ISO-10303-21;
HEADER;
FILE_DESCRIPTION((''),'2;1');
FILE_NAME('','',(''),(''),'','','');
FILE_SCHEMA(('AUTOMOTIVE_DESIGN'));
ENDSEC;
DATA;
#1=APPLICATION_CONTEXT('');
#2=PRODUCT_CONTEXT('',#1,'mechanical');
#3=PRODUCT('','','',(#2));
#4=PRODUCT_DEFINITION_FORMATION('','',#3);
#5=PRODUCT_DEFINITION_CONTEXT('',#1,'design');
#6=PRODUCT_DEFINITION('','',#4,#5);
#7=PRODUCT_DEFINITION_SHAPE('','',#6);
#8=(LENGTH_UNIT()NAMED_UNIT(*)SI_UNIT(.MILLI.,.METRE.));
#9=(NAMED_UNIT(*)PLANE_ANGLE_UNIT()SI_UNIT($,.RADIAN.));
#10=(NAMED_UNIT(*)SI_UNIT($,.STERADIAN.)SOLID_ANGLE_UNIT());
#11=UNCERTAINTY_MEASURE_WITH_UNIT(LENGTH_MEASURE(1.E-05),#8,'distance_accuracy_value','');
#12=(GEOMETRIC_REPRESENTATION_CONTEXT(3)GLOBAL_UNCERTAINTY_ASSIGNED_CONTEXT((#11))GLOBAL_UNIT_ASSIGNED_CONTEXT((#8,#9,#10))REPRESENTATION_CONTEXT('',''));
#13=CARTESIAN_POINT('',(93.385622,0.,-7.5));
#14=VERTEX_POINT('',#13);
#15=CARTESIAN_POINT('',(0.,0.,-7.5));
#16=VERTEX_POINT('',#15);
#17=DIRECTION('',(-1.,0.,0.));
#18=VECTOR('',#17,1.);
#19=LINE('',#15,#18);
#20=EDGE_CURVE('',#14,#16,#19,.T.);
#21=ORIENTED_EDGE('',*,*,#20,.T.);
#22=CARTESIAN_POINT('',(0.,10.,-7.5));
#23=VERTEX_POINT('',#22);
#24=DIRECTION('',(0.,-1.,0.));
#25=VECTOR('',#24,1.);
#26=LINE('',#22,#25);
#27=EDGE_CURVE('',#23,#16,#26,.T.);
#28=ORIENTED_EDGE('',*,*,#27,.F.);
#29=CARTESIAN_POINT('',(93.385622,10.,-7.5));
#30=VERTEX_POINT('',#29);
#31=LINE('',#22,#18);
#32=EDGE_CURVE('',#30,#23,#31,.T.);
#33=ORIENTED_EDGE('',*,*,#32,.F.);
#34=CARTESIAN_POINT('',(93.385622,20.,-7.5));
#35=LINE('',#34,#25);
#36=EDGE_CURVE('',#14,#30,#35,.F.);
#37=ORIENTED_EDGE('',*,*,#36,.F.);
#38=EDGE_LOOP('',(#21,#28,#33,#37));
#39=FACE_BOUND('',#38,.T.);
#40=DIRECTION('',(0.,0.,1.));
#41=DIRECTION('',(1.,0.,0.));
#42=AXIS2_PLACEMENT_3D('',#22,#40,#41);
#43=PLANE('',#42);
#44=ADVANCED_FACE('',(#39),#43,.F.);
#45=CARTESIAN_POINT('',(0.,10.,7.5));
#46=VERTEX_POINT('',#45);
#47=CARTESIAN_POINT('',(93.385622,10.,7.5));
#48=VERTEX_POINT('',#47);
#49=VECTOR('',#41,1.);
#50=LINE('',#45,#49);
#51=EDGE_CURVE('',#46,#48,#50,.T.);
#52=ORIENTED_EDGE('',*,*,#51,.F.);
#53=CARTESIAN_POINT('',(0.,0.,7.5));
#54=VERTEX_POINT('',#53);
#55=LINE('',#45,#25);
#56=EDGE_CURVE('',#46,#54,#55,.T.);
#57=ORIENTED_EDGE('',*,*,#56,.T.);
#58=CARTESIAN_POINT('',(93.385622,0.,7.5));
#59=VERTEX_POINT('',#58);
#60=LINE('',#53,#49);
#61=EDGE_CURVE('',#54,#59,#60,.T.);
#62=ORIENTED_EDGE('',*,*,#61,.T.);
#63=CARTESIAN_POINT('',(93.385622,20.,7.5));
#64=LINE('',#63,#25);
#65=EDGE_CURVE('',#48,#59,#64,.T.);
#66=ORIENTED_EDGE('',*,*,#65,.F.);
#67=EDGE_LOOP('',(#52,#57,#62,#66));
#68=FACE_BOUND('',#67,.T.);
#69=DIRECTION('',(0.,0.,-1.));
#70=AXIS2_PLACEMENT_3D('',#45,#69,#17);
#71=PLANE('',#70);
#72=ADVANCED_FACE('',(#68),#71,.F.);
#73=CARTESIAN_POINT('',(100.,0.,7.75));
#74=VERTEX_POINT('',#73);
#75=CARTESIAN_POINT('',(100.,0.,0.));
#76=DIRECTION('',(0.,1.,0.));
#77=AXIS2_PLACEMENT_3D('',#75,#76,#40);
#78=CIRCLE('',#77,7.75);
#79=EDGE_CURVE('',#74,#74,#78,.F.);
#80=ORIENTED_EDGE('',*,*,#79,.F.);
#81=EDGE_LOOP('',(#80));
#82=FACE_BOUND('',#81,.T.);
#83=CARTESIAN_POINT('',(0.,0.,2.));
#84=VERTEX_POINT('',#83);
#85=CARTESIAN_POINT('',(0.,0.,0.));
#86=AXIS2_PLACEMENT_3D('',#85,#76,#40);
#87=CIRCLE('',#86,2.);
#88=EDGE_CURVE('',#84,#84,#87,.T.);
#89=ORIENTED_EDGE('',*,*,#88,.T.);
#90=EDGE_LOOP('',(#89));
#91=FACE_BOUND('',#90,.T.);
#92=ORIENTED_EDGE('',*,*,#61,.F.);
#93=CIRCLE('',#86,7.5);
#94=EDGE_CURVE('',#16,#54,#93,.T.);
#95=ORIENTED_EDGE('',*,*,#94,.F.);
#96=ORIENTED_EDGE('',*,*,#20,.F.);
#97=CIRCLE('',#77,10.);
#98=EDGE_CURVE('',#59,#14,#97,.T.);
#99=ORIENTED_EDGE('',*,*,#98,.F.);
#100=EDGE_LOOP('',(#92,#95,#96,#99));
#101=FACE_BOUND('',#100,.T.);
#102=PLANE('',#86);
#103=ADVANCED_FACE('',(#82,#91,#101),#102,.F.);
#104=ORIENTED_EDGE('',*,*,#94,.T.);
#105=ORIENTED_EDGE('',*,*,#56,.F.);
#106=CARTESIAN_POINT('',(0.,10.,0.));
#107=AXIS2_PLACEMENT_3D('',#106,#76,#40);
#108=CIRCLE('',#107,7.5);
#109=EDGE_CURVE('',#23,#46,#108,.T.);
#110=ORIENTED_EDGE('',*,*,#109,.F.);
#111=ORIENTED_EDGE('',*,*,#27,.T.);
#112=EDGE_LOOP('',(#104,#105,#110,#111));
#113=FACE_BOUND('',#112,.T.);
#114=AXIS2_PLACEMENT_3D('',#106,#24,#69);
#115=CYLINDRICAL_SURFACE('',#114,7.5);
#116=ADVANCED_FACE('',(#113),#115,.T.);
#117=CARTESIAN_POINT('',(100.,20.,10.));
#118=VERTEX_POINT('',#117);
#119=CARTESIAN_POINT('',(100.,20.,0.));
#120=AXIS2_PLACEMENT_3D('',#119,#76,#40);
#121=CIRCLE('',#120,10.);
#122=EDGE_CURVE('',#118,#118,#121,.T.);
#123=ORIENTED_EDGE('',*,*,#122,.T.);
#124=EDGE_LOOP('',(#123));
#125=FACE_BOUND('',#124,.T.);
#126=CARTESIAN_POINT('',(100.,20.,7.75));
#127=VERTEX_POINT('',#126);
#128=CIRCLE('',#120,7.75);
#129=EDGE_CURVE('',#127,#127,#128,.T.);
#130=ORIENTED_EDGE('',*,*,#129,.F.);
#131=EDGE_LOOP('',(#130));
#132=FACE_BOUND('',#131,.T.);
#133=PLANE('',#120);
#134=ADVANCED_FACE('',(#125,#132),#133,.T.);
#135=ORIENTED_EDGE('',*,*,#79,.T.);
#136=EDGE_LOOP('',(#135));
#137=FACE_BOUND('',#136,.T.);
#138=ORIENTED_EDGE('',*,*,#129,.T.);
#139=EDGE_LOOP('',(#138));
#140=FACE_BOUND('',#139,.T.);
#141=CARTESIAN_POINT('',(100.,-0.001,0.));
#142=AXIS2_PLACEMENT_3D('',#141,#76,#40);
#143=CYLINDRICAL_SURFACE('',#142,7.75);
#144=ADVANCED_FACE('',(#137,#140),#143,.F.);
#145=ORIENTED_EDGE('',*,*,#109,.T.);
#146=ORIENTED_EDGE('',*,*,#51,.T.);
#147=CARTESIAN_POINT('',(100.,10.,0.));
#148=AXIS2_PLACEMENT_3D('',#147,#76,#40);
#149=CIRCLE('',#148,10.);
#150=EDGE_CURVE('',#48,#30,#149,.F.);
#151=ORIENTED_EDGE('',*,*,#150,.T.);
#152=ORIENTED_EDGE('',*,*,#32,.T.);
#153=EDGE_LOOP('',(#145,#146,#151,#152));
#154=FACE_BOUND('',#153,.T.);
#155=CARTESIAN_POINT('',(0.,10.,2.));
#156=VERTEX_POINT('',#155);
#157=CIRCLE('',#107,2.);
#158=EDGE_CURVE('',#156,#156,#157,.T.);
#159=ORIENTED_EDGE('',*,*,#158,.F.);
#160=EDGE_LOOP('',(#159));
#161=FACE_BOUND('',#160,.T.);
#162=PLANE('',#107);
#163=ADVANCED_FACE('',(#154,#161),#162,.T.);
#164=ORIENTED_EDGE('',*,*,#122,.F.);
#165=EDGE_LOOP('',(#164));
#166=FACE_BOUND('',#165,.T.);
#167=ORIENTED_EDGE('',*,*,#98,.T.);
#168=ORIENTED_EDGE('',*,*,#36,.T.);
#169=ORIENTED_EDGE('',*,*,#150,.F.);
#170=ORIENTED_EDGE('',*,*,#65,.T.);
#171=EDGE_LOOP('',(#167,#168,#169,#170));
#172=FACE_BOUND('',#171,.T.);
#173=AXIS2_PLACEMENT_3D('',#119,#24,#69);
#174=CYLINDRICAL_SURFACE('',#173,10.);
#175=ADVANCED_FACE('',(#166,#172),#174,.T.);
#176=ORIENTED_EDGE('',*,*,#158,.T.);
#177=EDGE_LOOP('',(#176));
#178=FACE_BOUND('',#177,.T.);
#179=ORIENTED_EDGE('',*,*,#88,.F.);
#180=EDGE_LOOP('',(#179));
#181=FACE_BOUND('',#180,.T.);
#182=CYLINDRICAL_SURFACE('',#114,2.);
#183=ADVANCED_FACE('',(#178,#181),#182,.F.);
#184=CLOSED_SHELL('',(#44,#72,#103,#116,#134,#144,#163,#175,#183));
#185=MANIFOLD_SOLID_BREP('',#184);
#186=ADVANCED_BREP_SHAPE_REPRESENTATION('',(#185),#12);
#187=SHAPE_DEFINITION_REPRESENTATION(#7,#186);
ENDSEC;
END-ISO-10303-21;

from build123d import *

# Parameters (mm, degrees)
SKETCH2_R           = 2
SKETCH2_R_2         = 2.5
BOSS_EXTRUDE1_DEPTH = 10
SKETCH3_R           = 10
BOSS_EXTRUDE3_DEPTH = 20
CUT_EXTRUDE1_REACH  = 22
SKETCH4_R           = 7.75


with BuildPart() as part:
    # Sketch2 → Boss-Extrude1 (new body)
    with BuildSketch(Plane(origin=(0, 0, 0), x_dir=(1, 0, 0), z_dir=(0, 1, 0))):
        with BuildLine():
            Line((0, 7.5), (100, 7.5))
            ThreePointArc((100, 7.5), (107.5, 0), (100, -7.5))
            Line((100, -7.5), (0, -7.5))
            ThreePointArc((0, -7.5), (-7.5, 0), (0, 7.5))
        make_face()
        Circle(SKETCH2_R, mode=Mode.SUBTRACT)
        with Locations((100, 0)):
            Circle(SKETCH2_R_2, mode=Mode.SUBTRACT)
    extrude(amount=BOSS_EXTRUDE1_DEPTH)

    # Sketch3 → Boss-Extrude3 (add)
    with BuildSketch(Plane(origin=(0, 0, 0), x_dir=(1, 0, 0), z_dir=(0, 1, 0))):
        with Locations((100, 0)):
            Circle(SKETCH3_R)
    extrude(amount=BOSS_EXTRUDE3_DEPTH)

    # Sketch4 → Cut-Extrude1 (cut, up to next)
    with BuildSketch(Plane(origin=(0, 20, 0), x_dir=(1, 0, 0), z_dir=(0, 1, 0)), mode=Mode.PRIVATE) as cut_extrude1_sk1:
        with Locations((100, 0)):
            Circle(SKETCH4_R)
    cut_extrude1_tool1 = extrude(cut_extrude1_sk1.sketch, amount=-CUT_EXTRUDE1_REACH, mode=Mode.PRIVATE) & part.part
    add(cut_extrude1_tool1.solids().sort_by_distance((100, 20, 0))[0], mode=Mode.SUBTRACT)


solid = part.part
